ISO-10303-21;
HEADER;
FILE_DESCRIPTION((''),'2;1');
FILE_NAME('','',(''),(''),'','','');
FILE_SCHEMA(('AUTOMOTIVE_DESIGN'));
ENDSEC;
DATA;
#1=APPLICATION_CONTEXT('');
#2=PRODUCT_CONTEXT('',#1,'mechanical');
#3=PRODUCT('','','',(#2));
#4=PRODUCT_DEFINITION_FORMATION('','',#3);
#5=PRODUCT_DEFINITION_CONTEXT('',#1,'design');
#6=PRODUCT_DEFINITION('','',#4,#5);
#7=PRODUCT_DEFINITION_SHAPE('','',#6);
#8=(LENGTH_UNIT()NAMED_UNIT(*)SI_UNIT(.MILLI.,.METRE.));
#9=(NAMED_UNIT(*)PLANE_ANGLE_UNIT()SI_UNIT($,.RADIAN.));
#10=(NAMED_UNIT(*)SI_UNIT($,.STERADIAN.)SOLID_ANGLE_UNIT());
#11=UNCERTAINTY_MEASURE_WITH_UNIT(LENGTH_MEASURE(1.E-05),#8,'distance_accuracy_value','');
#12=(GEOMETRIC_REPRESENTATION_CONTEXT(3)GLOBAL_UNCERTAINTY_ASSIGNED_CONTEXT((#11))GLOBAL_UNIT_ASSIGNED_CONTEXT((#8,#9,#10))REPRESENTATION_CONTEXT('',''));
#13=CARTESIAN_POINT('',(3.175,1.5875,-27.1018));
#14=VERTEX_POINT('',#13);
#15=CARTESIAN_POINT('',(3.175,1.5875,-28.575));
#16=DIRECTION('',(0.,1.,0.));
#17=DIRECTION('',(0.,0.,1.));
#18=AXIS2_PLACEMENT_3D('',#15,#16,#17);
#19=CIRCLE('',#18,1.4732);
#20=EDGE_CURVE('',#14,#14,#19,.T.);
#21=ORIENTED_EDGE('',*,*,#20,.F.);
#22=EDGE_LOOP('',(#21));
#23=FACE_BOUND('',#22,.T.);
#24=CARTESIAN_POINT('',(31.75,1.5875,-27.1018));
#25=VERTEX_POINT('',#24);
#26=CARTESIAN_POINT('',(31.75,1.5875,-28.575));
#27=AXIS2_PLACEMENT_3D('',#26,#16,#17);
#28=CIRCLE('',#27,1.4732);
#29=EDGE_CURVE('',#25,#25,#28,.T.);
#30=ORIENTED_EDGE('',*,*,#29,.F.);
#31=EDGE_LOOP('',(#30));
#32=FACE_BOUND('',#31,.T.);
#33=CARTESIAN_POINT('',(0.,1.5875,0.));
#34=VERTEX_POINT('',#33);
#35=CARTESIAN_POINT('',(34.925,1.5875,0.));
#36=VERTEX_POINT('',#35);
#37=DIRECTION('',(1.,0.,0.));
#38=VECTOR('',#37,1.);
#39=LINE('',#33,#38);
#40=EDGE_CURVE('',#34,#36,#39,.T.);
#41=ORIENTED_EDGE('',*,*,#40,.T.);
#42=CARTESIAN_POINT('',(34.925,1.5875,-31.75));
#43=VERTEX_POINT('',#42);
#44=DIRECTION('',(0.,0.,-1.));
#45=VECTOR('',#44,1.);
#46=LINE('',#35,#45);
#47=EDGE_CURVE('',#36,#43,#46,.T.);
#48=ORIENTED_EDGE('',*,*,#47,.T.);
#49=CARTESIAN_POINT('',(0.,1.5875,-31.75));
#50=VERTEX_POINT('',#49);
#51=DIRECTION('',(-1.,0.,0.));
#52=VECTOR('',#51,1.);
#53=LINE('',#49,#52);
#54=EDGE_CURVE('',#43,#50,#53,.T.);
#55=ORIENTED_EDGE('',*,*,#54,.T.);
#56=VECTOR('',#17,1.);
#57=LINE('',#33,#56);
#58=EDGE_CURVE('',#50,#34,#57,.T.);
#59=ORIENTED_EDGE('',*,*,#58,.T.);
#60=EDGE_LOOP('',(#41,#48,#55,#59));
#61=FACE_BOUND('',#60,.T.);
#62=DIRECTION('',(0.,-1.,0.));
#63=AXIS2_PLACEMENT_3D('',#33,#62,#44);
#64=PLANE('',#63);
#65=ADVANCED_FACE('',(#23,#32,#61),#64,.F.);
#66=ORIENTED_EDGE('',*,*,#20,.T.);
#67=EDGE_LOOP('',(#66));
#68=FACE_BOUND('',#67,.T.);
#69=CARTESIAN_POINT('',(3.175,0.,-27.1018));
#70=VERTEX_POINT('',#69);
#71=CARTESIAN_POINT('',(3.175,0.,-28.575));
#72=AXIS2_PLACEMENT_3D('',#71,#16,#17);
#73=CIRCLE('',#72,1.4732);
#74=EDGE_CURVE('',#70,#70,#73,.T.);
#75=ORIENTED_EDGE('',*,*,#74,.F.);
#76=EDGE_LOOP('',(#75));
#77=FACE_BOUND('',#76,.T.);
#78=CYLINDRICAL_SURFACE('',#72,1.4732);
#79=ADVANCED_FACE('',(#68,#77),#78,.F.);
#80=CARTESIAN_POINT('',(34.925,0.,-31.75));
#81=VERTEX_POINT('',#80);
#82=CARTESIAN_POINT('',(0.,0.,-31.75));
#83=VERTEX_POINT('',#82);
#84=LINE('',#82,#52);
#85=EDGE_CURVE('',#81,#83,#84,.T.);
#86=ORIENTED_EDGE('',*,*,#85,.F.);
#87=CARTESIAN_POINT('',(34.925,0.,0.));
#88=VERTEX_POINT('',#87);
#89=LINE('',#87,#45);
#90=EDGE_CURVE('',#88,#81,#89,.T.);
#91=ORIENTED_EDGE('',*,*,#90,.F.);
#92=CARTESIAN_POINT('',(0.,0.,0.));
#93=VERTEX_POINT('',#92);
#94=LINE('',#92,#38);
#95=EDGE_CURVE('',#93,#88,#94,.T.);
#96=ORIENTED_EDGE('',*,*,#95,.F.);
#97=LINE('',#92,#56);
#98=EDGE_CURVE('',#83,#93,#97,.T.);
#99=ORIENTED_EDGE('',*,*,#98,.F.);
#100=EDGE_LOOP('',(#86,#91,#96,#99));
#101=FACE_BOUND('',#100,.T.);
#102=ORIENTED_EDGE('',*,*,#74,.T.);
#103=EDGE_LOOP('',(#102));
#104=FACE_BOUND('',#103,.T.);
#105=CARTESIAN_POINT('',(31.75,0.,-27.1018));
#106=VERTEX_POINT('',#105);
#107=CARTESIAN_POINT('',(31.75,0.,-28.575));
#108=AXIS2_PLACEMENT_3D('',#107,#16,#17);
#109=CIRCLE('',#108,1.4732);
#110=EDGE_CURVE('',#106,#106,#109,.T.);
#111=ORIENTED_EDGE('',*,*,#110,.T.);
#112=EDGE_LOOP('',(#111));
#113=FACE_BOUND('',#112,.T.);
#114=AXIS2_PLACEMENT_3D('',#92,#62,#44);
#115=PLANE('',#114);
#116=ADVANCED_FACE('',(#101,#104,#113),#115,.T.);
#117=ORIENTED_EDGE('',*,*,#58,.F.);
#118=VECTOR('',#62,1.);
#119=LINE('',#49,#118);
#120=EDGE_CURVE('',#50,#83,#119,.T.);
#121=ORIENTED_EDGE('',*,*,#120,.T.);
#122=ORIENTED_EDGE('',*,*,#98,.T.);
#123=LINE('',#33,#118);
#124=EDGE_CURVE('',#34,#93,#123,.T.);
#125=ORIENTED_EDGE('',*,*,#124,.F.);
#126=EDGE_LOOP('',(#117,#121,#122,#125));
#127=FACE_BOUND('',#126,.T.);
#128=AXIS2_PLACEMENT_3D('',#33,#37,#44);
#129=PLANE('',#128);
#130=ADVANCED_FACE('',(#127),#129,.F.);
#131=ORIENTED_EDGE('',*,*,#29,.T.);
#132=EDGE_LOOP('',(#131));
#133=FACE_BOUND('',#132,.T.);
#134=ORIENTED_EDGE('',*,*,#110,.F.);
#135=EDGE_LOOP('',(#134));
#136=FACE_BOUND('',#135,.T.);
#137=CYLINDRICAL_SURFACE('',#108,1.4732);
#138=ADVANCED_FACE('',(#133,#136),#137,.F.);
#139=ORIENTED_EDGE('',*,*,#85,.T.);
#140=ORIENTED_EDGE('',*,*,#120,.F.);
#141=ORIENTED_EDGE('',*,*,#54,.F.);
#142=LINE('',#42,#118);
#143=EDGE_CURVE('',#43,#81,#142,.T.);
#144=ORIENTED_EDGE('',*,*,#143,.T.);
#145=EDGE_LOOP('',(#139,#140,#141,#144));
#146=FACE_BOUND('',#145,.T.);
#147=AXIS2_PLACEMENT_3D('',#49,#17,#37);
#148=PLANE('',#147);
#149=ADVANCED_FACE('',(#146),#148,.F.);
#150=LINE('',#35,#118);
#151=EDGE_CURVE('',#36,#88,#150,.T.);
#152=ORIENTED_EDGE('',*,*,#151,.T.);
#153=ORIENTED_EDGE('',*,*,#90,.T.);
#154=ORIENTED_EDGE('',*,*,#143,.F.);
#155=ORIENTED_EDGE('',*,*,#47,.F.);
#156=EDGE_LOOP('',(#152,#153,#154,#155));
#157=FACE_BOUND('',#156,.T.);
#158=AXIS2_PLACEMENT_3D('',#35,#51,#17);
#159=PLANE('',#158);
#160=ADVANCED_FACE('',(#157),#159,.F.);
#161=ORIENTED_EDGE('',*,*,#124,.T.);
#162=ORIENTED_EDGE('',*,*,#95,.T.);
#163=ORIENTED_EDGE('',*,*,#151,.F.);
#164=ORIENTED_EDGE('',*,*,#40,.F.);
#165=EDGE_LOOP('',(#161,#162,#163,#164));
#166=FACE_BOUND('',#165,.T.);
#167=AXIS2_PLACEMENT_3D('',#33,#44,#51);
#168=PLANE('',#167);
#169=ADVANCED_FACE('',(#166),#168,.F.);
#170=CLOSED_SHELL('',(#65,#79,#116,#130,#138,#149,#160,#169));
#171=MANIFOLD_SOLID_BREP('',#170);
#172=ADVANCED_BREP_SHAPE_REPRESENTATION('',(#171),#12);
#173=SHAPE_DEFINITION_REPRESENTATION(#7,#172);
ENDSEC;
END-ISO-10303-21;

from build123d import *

# Parameters (mm, degrees)
SKETCH1_W           = 34.925
SKETCH1_H           = 31.75
BOSS_EXTRUDE1_DEPTH = 1.5875
SKETCH2_R           = 1.4732
CUT_EXTRUDE1_DEPTH  = 1.5875


with BuildPart() as part:
    # Sketch1 → Boss-Extrude1 (new body)
    with BuildSketch(Plane(origin=(0, 0, 0), x_dir=(1, 0, 0), z_dir=(0, 1, 0))):
        with Locations((17.4625, 15.875)):
            Rectangle(SKETCH1_W, SKETCH1_H)
    extrude(amount=BOSS_EXTRUDE1_DEPTH)

    # Sketch2 → Cut-Extrude1 (cut)
    with BuildSketch(Plane(origin=(0, 1.5875, 0), x_dir=(1, 0, 0), z_dir=(0, 1, 0))):
        with Locations(Location((3.175, 28.575, 0), (0, 0, 270))):
            Circle(SKETCH2_R)
        with Locations(Location((31.75, 28.575, 0), (0, 0, 270))):
            Circle(SKETCH2_R)
    extrude(amount=-CUT_EXTRUDE1_DEPTH, mode=Mode.SUBTRACT)


solid = part.part
